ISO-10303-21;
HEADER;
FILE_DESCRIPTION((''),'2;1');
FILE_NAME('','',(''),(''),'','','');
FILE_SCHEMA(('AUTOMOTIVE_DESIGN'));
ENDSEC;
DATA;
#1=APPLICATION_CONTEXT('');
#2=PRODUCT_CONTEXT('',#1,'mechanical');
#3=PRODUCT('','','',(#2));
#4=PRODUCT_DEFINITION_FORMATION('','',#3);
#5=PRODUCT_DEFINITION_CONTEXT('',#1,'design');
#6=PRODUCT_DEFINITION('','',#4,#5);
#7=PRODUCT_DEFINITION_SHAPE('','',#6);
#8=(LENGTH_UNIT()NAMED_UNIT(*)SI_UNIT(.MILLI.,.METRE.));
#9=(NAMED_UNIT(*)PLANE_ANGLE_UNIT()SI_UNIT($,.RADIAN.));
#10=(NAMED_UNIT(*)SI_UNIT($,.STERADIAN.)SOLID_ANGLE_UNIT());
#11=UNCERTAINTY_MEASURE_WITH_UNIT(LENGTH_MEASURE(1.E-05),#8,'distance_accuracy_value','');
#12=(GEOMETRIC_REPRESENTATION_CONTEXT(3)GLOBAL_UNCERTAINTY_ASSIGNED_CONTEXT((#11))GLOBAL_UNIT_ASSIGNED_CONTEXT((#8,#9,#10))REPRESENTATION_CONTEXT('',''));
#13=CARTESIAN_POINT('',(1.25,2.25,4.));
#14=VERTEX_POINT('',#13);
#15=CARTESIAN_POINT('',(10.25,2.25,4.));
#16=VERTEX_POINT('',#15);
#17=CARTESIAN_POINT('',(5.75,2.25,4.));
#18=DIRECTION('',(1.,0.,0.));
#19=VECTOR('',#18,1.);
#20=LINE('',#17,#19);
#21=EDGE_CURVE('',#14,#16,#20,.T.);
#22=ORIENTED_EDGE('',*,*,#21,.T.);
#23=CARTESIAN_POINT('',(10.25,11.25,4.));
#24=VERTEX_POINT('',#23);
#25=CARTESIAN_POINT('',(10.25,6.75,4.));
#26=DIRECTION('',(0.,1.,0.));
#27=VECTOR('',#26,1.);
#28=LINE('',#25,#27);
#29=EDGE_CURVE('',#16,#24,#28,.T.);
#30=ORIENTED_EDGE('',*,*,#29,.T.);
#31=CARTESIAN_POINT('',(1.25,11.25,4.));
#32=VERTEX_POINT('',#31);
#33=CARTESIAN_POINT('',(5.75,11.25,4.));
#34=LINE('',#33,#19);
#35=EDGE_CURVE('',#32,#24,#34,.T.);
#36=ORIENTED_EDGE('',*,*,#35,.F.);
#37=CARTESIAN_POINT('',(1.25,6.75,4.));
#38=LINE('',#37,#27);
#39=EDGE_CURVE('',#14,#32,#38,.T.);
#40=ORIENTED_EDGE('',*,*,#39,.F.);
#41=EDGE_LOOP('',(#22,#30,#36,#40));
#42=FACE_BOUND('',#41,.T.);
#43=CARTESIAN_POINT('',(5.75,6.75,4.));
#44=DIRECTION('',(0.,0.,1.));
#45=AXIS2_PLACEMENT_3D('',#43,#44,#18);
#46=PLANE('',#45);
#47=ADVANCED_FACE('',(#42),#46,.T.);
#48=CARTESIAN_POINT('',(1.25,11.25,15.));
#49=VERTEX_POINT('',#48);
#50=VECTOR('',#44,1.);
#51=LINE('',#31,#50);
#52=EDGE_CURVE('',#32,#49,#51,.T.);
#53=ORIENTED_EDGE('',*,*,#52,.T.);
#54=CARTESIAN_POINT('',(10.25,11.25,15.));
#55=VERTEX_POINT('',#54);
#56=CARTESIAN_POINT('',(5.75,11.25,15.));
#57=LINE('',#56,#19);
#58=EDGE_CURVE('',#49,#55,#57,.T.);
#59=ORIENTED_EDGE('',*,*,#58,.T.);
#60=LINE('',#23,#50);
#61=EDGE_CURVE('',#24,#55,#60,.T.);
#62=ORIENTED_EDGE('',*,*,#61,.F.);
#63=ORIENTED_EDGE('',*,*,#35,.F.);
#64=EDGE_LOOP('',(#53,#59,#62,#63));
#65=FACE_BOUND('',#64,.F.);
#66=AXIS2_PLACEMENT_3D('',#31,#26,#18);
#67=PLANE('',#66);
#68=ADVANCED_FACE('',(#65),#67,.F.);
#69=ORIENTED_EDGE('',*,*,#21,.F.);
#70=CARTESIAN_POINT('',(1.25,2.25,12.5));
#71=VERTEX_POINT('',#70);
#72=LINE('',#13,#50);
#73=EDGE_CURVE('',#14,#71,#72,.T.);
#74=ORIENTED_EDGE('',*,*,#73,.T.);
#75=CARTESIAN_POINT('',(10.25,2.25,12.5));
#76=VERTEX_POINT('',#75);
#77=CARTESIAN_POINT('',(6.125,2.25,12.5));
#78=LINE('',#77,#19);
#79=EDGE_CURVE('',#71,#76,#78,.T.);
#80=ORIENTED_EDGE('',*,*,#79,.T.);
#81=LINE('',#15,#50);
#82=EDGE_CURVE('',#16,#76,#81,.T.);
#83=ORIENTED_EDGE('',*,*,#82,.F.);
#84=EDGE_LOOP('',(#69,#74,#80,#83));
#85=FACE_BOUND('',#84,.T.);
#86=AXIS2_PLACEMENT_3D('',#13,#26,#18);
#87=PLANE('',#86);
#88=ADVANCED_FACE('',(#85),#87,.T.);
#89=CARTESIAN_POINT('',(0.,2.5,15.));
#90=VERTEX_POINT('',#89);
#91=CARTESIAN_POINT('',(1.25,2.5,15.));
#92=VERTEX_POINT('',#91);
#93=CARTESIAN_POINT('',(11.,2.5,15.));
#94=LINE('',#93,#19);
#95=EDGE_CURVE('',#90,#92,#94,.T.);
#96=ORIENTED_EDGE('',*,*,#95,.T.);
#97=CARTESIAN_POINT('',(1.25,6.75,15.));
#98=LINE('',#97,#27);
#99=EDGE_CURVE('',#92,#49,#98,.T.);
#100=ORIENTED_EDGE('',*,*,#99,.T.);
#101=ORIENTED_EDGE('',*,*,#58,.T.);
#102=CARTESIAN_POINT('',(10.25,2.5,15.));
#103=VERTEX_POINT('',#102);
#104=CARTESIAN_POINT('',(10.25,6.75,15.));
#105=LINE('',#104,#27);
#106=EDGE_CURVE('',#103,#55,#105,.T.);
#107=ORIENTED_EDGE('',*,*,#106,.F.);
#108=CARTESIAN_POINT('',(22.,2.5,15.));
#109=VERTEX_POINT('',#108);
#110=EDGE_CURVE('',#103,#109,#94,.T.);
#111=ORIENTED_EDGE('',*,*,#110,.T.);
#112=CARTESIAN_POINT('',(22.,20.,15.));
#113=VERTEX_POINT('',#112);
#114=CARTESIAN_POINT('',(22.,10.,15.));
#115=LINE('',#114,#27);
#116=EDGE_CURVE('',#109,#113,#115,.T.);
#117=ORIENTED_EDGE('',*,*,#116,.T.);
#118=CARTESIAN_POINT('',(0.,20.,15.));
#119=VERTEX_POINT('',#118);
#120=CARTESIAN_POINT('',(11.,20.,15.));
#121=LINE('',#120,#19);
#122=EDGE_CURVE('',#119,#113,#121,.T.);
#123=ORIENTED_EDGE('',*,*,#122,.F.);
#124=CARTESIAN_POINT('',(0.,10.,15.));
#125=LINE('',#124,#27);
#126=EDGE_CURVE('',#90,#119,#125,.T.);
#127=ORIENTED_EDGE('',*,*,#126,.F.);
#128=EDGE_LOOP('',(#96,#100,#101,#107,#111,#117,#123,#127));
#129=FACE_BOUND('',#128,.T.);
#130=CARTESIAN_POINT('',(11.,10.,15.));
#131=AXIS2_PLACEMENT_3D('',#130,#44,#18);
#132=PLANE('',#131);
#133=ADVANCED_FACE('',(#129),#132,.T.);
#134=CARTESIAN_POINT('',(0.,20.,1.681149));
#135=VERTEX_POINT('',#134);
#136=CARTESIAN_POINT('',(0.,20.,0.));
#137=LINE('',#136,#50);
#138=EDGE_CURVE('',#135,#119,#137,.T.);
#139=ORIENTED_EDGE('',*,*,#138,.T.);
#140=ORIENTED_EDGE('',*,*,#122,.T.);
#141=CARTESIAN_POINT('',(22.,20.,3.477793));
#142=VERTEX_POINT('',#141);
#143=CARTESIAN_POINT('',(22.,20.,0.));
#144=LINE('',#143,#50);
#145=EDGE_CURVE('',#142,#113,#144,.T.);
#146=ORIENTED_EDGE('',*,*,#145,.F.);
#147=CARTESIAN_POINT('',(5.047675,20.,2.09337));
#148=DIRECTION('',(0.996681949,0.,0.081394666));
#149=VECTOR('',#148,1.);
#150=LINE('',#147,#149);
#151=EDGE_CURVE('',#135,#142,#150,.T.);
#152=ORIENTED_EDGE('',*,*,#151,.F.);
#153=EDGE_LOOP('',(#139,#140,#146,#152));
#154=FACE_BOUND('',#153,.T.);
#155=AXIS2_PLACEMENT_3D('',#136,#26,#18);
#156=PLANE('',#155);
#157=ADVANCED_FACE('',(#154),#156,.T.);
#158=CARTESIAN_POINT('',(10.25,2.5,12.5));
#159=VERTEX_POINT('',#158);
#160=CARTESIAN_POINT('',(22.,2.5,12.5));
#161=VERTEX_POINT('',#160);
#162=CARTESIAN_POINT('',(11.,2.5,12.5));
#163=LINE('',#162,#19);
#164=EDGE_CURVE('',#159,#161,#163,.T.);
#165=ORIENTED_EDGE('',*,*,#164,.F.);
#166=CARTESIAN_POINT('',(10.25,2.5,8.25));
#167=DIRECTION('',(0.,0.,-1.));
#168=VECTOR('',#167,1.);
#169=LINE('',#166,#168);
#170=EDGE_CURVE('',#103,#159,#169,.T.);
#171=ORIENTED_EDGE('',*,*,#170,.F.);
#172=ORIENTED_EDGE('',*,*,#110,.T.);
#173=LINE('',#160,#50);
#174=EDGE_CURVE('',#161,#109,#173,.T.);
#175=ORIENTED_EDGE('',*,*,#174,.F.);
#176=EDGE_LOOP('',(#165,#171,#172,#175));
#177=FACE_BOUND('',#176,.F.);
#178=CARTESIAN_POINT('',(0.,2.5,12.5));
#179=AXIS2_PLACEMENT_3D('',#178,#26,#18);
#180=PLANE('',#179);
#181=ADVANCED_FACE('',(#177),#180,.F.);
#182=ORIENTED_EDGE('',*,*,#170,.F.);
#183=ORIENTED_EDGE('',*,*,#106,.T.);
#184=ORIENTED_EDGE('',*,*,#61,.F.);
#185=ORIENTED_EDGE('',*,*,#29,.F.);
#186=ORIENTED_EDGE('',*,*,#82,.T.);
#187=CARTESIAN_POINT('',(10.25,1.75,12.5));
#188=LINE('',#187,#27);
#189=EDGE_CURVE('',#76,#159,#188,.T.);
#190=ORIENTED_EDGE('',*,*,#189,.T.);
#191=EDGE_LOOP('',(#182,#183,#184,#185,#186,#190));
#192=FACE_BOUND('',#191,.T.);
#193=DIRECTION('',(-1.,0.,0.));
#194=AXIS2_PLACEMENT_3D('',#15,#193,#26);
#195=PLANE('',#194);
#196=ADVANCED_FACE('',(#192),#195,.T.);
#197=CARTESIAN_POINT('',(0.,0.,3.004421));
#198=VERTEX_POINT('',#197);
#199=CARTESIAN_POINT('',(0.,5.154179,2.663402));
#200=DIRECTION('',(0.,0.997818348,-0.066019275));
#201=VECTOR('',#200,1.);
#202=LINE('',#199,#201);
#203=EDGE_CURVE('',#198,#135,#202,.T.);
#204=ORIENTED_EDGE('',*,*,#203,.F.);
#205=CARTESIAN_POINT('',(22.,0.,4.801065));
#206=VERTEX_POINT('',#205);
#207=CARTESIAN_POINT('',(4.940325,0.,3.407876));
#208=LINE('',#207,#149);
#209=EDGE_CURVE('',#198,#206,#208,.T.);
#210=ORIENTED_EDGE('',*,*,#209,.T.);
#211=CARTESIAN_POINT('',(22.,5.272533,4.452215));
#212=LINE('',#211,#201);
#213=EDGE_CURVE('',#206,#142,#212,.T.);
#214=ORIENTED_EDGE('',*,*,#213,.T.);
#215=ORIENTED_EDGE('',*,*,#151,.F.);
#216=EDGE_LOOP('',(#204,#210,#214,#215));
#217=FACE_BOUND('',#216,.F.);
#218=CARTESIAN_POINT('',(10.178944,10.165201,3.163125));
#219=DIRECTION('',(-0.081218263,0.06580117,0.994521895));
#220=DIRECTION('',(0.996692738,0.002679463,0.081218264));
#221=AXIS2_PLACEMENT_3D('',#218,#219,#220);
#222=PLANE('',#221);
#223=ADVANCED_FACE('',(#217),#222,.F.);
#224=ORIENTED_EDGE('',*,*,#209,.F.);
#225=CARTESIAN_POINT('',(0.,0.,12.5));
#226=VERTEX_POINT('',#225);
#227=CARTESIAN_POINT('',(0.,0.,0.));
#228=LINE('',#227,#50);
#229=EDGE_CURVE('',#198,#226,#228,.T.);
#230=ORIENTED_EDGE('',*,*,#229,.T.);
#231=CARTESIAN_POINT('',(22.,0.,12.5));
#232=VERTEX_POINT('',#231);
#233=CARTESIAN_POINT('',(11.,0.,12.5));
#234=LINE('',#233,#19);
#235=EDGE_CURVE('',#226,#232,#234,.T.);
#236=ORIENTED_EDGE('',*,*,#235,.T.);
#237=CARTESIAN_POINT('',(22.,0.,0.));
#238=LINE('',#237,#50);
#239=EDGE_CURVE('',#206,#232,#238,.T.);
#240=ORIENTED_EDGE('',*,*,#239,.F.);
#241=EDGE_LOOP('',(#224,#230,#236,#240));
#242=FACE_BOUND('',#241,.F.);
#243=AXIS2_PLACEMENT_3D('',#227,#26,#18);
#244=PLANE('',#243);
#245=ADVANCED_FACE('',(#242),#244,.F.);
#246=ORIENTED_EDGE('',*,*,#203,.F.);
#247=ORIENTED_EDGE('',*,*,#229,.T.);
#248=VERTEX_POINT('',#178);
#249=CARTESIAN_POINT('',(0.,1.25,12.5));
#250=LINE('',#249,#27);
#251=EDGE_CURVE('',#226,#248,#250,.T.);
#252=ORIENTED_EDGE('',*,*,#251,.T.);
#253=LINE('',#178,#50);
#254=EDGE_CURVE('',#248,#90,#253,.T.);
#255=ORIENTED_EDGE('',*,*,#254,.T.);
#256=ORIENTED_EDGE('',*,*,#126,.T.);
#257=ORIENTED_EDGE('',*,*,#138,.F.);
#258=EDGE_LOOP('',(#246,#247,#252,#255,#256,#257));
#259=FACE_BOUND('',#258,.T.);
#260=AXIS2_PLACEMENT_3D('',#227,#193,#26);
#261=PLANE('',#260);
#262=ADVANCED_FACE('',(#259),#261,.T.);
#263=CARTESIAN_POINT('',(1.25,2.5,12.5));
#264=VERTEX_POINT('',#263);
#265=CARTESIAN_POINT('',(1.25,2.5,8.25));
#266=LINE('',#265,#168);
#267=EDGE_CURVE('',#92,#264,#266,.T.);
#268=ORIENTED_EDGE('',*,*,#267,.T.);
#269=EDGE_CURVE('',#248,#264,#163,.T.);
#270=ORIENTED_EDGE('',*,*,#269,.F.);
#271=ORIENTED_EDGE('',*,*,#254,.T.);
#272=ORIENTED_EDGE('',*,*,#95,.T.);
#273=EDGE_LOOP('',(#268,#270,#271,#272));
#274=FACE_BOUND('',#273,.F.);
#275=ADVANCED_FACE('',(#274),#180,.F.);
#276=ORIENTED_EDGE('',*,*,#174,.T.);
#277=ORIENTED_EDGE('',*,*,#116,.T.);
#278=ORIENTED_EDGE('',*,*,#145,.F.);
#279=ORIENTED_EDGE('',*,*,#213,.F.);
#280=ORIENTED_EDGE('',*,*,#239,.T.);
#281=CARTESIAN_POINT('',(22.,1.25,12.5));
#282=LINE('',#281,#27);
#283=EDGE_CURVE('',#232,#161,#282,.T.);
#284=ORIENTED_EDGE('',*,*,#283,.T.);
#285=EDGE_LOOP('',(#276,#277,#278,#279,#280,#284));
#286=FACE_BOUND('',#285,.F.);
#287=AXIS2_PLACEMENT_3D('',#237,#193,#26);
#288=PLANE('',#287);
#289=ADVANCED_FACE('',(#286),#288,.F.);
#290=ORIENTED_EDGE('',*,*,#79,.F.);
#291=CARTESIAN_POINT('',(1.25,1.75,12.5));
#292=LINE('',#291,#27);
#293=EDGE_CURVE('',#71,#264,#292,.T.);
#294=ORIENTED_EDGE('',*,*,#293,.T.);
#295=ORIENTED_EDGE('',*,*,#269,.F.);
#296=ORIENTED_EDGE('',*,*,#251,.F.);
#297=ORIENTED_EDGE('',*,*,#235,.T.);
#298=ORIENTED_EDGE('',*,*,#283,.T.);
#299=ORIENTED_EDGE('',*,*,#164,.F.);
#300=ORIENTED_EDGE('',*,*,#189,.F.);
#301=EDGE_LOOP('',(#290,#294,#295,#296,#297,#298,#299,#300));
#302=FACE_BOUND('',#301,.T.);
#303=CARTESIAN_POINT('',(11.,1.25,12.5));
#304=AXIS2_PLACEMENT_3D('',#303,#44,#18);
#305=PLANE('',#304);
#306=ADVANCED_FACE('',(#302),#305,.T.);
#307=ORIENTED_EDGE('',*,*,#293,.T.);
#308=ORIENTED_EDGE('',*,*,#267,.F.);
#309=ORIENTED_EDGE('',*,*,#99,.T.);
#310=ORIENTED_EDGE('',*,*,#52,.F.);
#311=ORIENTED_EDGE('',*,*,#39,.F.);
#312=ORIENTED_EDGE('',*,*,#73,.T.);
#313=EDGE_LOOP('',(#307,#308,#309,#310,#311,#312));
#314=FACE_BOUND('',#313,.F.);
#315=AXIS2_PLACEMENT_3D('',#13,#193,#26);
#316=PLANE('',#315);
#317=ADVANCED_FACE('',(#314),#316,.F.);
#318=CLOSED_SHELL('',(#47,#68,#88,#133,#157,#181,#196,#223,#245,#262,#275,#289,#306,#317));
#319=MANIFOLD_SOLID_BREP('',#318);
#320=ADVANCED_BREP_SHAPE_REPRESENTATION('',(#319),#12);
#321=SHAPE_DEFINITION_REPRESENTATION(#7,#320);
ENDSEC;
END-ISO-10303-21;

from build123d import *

# Parameters (mm, degrees)
BOX003_W               = 24
BOX003_H               = 23
BOX003_DEPTH           = 10
BOX003_ROLL_ANGLE      = -3.785379
BOX003_PITCH_ANGLE     = -4.658595
BOX003_PLACEMENT_ANGLE = 0.154031
BOX002_W               = 22
BOX002_H               = 2.5
BOX002_DEPTH           = 2.5
BOX001_W               = 9
BOX001_H               = 9
BOX001_DEPTH           = 11
BOX_W                  = 22
BOX_H                  = 20
BOX_DEPTH              = 15


with BuildPart() as cube003:
    # Box003 → Box003 (new body)
    with BuildSketch(Plane.XY):
        with Locations((12, 11.5)):
            Rectangle(BOX003_W, BOX003_H)
    extrude(amount=BOX003_DEPTH)


with BuildPart() as cube003_1:
    # Box003 roll: moved
    add(cube003.part.rotate(Axis((0, 0, 0), (1, 0, 0)), BOX003_ROLL_ANGLE))


with BuildPart() as cube003_2:
    # Box003 pitch: moved
    add(cube003_1.part.rotate(Axis((0, 0, 0), (0, 1, 0)), BOX003_PITCH_ANGLE))


with BuildPart() as cube003_3:
    # Box003 placement: moved
    add(cube003_2.part.moved(Location((-1, -2, -7))).rotate(Axis((-1, -2, -7), (0, 0, 1)), BOX003_PLACEMENT_ANGLE))


with BuildPart() as cube002:
    # Box002 → Box002 (new body)
    with BuildSketch(Plane.XY.offset(12.5)):
        with Locations((11, 1.25)):
            Rectangle(BOX002_W, BOX002_H)
    extrude(amount=BOX002_DEPTH)


with BuildPart() as cube001:
    # Box001 → Box001 (new body)
    with BuildSketch(Plane(origin=(1.25, 2.25, 4), x_dir=(1, 0, 0), z_dir=(0, 0, 1))):
        with Locations((4.5, 4.5)):
            Rectangle(BOX001_W, BOX001_H)
    extrude(amount=BOX001_DEPTH)


with BuildPart() as cut002:
    # Box → Box (new body)
    with BuildSketch(Plane.XY):
        with Locations((11, 10)):
            Rectangle(BOX_W, BOX_H)
    extrude(amount=BOX_DEPTH)

    # Cut: cut Cube001
    add(cube001.part, mode=Mode.SUBTRACT)

    # Cut001: cut Cube002
    add(cube002.part, mode=Mode.SUBTRACT)

    # Cut002: cut Cube003
    add(cube003_3.part, mode=Mode.SUBTRACT)


solid = cut002.part
